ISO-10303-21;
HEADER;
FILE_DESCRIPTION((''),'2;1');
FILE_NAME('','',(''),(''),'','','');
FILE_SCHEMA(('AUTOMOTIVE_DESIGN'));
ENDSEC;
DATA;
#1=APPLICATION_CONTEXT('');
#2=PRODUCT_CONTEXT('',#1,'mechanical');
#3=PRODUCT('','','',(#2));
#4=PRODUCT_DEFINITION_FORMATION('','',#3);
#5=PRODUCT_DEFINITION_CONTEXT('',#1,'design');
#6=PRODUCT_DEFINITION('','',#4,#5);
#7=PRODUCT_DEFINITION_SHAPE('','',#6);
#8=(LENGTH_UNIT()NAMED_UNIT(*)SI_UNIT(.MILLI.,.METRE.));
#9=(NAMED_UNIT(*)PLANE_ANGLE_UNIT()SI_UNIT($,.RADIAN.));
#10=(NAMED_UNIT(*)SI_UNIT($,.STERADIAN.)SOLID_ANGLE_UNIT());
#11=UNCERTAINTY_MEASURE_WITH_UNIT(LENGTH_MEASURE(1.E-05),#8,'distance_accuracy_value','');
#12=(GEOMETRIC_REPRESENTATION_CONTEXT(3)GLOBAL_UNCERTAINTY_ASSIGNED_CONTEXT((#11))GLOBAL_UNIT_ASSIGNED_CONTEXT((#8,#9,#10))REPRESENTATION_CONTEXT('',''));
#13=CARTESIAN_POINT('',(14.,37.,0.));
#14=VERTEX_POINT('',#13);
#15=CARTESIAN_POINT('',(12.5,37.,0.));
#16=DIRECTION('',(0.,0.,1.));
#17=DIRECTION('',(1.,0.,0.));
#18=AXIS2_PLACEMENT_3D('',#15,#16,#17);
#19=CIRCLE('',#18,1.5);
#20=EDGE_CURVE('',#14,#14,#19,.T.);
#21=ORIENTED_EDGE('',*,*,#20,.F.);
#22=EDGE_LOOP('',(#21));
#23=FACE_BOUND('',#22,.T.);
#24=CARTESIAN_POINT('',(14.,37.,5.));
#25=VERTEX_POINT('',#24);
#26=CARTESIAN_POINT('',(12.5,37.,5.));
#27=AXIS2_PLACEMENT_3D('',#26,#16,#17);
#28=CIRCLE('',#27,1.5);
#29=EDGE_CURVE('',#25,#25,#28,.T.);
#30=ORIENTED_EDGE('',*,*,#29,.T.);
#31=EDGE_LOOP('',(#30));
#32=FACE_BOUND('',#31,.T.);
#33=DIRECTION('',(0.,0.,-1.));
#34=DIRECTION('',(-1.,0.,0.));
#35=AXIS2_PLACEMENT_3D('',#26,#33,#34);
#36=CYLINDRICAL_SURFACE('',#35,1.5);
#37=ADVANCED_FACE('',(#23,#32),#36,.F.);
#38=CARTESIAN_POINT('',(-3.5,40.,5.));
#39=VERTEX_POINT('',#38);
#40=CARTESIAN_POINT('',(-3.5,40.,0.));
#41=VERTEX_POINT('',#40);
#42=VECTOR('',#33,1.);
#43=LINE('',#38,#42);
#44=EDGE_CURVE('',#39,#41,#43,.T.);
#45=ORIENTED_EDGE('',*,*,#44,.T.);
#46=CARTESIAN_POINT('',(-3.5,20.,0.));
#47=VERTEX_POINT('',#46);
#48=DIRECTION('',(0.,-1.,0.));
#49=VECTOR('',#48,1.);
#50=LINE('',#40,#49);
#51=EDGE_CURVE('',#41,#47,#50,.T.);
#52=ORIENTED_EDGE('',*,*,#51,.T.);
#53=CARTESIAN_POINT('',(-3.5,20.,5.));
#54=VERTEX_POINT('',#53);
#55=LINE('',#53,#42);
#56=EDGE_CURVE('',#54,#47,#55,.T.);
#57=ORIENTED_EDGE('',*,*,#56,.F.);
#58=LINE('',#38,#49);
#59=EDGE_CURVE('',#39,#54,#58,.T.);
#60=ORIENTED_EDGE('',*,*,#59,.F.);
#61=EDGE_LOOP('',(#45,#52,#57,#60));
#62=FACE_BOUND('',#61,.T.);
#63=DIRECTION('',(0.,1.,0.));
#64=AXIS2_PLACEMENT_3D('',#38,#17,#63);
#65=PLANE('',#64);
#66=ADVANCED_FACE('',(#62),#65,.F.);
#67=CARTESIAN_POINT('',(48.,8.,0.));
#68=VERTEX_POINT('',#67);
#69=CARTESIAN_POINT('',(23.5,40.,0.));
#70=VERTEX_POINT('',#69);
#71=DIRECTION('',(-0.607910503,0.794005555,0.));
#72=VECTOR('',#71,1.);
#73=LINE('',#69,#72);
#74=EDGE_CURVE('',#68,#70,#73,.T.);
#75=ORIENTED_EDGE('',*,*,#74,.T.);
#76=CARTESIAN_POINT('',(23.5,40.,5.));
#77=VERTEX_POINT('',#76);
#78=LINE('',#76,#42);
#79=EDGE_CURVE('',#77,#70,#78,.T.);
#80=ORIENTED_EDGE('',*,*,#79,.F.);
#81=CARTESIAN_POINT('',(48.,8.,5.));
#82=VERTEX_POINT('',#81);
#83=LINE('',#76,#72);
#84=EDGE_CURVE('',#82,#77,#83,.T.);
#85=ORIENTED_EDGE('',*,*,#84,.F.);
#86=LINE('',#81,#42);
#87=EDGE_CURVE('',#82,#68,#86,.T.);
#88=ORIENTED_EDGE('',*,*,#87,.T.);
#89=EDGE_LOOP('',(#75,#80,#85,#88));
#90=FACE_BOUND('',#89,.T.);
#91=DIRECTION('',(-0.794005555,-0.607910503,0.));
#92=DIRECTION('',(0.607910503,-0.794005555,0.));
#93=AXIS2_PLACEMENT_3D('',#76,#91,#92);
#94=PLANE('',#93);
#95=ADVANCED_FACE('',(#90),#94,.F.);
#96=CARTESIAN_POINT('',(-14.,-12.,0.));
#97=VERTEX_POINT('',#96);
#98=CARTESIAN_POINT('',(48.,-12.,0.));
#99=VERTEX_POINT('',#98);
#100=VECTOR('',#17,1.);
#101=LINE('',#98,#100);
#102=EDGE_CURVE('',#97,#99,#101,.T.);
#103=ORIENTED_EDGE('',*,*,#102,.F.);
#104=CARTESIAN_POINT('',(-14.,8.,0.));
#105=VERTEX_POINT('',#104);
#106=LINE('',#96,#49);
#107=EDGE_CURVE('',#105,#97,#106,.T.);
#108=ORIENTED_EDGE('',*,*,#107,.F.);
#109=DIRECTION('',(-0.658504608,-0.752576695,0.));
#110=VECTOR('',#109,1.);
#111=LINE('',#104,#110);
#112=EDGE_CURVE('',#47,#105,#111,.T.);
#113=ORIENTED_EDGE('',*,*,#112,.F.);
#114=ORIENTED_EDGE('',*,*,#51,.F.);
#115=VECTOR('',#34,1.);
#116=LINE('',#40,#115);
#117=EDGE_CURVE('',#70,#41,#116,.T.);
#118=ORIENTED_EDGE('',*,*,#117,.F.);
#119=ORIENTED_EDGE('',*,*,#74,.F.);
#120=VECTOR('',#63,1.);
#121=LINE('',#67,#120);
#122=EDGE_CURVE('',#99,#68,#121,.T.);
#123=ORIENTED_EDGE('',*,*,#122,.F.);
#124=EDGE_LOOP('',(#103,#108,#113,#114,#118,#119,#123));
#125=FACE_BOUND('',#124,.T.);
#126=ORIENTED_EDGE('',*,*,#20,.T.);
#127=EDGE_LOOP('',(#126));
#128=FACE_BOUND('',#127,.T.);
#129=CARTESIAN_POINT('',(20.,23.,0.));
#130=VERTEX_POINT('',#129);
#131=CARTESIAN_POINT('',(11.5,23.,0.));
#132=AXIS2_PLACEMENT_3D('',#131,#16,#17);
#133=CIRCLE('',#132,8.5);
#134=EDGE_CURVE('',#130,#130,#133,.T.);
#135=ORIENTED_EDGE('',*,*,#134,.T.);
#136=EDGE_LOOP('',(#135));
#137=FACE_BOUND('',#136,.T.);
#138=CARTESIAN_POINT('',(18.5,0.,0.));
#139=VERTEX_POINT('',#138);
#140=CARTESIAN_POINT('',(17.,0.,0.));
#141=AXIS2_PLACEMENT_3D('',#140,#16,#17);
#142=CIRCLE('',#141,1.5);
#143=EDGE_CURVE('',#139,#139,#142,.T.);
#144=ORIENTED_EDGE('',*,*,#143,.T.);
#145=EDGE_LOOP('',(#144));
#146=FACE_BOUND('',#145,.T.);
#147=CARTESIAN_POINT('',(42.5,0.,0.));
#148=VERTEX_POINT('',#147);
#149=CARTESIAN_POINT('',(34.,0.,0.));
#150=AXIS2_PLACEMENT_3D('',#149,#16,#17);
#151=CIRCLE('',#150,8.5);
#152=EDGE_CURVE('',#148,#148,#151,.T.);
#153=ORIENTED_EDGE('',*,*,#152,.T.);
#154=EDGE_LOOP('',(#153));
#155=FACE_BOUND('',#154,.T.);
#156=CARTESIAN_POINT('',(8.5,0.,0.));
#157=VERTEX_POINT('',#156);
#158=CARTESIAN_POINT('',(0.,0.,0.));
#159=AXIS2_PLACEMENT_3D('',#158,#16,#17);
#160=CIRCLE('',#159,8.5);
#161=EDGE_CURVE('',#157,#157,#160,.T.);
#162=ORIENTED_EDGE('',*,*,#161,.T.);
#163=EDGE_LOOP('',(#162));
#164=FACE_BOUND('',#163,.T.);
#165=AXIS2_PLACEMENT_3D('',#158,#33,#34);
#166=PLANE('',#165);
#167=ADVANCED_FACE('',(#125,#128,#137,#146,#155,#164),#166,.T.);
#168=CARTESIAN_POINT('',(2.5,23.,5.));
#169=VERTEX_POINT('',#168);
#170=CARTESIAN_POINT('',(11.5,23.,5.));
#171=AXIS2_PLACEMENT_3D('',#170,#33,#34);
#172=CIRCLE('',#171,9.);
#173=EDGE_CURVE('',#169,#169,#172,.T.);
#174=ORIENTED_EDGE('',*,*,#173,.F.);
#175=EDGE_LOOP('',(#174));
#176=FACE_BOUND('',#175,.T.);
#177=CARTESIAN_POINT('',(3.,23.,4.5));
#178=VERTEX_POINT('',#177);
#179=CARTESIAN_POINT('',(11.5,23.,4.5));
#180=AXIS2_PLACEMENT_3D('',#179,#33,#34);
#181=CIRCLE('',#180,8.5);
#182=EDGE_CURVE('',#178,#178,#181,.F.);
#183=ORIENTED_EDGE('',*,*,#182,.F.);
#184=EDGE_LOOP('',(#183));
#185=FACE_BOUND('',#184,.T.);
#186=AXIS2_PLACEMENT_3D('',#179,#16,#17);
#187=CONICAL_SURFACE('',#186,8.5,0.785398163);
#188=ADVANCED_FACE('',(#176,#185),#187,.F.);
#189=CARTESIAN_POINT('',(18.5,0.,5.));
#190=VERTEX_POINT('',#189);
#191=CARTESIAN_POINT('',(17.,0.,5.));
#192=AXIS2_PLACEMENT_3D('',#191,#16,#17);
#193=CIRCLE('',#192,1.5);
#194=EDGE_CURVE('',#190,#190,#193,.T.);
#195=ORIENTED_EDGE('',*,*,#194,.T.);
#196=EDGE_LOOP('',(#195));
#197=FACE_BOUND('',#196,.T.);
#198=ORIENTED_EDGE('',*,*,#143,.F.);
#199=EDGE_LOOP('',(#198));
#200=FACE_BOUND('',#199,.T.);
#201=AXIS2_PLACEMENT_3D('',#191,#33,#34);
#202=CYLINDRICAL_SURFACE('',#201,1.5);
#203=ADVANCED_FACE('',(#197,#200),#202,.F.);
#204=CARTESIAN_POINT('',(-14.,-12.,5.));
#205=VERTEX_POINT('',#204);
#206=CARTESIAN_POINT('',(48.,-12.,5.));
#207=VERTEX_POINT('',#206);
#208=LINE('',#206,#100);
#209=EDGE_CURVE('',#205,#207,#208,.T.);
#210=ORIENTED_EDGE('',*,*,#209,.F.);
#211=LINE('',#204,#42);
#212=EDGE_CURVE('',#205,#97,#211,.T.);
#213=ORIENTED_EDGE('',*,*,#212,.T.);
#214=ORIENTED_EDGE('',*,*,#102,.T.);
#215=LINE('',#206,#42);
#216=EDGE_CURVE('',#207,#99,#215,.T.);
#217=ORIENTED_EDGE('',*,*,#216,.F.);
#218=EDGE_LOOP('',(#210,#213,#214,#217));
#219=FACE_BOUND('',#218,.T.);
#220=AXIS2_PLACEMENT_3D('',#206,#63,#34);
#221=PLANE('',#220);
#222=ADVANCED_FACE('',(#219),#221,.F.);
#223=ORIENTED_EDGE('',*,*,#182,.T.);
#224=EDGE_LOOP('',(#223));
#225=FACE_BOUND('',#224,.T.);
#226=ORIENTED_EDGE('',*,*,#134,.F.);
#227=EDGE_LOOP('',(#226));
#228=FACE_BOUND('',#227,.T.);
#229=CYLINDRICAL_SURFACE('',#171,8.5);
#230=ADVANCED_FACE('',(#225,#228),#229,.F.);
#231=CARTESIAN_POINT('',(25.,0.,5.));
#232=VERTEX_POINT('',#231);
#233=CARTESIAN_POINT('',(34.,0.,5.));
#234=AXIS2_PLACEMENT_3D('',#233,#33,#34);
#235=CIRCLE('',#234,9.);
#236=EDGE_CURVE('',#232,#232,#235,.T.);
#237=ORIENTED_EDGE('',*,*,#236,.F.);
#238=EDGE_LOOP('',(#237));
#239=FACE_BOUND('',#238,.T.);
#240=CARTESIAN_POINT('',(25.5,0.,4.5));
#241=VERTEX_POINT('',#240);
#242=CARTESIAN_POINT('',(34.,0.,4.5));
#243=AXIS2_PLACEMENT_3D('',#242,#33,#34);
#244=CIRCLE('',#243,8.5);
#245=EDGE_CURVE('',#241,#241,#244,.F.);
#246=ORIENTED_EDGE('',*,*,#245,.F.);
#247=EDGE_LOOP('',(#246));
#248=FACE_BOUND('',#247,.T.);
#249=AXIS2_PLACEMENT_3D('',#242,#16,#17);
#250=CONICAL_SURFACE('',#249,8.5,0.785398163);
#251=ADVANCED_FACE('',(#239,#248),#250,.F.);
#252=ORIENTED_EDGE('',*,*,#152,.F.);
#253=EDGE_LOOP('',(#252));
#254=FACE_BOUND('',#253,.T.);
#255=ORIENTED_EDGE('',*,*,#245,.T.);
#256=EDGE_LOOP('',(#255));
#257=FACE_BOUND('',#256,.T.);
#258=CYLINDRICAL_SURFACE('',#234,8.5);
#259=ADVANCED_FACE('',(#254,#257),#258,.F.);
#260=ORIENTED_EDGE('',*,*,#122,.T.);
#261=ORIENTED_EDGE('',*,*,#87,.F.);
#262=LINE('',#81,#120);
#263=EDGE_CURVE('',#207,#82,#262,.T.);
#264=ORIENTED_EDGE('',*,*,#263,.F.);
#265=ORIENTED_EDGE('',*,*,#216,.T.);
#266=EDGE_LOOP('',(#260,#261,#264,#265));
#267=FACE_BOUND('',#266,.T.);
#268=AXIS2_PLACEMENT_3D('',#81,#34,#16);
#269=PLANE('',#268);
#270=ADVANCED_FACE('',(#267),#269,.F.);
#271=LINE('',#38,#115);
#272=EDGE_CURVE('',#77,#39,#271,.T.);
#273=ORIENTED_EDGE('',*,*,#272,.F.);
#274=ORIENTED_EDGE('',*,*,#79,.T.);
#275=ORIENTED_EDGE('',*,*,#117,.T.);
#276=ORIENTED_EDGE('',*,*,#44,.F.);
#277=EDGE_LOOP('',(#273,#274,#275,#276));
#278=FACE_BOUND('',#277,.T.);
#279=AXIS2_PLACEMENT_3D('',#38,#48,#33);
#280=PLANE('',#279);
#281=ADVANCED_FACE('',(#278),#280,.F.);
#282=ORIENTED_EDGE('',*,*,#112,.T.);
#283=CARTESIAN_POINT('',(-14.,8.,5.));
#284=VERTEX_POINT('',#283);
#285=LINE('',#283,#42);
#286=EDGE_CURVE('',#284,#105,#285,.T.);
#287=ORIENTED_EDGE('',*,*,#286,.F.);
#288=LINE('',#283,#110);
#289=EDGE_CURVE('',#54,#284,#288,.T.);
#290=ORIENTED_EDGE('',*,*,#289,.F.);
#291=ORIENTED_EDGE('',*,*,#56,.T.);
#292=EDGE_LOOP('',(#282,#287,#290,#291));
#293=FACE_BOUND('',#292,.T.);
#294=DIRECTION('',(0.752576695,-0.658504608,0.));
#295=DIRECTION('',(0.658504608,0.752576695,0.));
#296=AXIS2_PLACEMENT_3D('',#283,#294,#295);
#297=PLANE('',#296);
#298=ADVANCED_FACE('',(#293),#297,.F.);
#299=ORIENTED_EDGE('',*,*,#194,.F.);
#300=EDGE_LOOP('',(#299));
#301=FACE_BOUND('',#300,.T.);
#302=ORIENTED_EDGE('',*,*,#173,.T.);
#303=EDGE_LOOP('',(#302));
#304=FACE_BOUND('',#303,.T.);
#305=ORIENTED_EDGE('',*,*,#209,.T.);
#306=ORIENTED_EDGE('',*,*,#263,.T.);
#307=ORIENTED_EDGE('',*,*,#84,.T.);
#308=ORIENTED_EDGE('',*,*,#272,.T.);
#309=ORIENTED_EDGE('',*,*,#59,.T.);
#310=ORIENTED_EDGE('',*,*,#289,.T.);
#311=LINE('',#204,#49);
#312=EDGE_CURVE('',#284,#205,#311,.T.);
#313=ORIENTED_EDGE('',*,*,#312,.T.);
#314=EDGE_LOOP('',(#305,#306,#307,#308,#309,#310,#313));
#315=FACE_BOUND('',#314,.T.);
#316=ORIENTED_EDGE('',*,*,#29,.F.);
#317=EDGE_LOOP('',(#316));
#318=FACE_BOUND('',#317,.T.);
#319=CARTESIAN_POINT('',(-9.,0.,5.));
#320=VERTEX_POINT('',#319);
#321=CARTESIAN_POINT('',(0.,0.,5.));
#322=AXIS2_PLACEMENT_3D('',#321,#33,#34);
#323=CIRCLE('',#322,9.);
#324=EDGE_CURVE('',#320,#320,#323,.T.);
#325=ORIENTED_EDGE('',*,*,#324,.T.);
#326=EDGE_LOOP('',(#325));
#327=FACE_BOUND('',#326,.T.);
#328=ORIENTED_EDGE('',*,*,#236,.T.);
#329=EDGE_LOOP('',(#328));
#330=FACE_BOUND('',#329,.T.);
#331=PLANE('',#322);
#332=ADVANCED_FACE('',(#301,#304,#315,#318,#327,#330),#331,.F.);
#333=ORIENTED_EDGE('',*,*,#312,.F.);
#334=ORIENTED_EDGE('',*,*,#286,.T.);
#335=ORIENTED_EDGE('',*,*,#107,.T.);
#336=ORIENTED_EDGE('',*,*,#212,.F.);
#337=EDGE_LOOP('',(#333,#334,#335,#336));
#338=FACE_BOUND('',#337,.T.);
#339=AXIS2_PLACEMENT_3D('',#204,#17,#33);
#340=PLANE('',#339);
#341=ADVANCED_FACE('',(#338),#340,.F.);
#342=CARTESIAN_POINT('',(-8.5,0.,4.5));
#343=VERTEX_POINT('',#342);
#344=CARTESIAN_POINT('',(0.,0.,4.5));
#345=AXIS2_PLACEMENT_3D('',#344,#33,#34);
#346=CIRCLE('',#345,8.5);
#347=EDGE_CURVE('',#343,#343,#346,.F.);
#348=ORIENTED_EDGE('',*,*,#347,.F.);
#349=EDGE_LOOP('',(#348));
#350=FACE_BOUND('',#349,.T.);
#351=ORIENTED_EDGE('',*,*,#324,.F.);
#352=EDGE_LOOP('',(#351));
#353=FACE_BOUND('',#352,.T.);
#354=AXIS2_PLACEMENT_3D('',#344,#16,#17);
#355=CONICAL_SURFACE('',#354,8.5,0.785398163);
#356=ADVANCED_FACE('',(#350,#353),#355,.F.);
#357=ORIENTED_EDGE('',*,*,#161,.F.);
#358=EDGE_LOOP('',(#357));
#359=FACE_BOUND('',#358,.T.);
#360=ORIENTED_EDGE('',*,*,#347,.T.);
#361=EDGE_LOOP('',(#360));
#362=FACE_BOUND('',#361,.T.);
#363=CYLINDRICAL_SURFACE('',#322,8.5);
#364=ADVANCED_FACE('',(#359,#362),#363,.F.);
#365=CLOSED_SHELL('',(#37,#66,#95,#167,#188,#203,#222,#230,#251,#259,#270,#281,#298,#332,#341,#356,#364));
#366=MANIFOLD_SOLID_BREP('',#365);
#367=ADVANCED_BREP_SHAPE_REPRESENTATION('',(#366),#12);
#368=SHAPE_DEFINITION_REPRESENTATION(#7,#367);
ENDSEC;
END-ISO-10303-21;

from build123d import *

# Parameters (mm, degrees)
SZKIC1_R                    = 8.5
SZKIC1_R_2                  = 1.5
DODANIE_WYCI_GNI_CIE1_DEPTH = 5
SFAZOWANIE2_SIZE            = 0.5


with BuildPart() as part:
    # Szkic1 → Dodanie-wyciągnięcie1 (new body)
    with BuildSketch(Plane.XY):
        Polygon((-14, -12), (-14, 8), (-3.5, 20), (-3.5, 40), (23.5, 40), (48, 8), (48, -12), align=None)
        Circle(SZKIC1_R, mode=Mode.SUBTRACT)
        with Locations((34, 0)):
            Circle(SZKIC1_R, mode=Mode.SUBTRACT)
        with Locations((11.5, 23)):
            Circle(SZKIC1_R, mode=Mode.SUBTRACT)
        with Locations((12.5, 37)):
            Circle(SZKIC1_R_2, mode=Mode.SUBTRACT)
        with Locations((17, 0)):
            Circle(SZKIC1_R_2, mode=Mode.SUBTRACT)
    extrude(amount=DODANIE_WYCI_GNI_CIE1_DEPTH)

    # Sfazowanie2
    sfazowanie2_edges = [part.edges().sort_by_distance(p)[0] for p in [
        (-8.5, 0, 5),
        (25.5, 0, 5),
        (3, 23, 5),
    ]]
    chamfer(sfazowanie2_edges, length=SFAZOWANIE2_SIZE)


solid = part.part
